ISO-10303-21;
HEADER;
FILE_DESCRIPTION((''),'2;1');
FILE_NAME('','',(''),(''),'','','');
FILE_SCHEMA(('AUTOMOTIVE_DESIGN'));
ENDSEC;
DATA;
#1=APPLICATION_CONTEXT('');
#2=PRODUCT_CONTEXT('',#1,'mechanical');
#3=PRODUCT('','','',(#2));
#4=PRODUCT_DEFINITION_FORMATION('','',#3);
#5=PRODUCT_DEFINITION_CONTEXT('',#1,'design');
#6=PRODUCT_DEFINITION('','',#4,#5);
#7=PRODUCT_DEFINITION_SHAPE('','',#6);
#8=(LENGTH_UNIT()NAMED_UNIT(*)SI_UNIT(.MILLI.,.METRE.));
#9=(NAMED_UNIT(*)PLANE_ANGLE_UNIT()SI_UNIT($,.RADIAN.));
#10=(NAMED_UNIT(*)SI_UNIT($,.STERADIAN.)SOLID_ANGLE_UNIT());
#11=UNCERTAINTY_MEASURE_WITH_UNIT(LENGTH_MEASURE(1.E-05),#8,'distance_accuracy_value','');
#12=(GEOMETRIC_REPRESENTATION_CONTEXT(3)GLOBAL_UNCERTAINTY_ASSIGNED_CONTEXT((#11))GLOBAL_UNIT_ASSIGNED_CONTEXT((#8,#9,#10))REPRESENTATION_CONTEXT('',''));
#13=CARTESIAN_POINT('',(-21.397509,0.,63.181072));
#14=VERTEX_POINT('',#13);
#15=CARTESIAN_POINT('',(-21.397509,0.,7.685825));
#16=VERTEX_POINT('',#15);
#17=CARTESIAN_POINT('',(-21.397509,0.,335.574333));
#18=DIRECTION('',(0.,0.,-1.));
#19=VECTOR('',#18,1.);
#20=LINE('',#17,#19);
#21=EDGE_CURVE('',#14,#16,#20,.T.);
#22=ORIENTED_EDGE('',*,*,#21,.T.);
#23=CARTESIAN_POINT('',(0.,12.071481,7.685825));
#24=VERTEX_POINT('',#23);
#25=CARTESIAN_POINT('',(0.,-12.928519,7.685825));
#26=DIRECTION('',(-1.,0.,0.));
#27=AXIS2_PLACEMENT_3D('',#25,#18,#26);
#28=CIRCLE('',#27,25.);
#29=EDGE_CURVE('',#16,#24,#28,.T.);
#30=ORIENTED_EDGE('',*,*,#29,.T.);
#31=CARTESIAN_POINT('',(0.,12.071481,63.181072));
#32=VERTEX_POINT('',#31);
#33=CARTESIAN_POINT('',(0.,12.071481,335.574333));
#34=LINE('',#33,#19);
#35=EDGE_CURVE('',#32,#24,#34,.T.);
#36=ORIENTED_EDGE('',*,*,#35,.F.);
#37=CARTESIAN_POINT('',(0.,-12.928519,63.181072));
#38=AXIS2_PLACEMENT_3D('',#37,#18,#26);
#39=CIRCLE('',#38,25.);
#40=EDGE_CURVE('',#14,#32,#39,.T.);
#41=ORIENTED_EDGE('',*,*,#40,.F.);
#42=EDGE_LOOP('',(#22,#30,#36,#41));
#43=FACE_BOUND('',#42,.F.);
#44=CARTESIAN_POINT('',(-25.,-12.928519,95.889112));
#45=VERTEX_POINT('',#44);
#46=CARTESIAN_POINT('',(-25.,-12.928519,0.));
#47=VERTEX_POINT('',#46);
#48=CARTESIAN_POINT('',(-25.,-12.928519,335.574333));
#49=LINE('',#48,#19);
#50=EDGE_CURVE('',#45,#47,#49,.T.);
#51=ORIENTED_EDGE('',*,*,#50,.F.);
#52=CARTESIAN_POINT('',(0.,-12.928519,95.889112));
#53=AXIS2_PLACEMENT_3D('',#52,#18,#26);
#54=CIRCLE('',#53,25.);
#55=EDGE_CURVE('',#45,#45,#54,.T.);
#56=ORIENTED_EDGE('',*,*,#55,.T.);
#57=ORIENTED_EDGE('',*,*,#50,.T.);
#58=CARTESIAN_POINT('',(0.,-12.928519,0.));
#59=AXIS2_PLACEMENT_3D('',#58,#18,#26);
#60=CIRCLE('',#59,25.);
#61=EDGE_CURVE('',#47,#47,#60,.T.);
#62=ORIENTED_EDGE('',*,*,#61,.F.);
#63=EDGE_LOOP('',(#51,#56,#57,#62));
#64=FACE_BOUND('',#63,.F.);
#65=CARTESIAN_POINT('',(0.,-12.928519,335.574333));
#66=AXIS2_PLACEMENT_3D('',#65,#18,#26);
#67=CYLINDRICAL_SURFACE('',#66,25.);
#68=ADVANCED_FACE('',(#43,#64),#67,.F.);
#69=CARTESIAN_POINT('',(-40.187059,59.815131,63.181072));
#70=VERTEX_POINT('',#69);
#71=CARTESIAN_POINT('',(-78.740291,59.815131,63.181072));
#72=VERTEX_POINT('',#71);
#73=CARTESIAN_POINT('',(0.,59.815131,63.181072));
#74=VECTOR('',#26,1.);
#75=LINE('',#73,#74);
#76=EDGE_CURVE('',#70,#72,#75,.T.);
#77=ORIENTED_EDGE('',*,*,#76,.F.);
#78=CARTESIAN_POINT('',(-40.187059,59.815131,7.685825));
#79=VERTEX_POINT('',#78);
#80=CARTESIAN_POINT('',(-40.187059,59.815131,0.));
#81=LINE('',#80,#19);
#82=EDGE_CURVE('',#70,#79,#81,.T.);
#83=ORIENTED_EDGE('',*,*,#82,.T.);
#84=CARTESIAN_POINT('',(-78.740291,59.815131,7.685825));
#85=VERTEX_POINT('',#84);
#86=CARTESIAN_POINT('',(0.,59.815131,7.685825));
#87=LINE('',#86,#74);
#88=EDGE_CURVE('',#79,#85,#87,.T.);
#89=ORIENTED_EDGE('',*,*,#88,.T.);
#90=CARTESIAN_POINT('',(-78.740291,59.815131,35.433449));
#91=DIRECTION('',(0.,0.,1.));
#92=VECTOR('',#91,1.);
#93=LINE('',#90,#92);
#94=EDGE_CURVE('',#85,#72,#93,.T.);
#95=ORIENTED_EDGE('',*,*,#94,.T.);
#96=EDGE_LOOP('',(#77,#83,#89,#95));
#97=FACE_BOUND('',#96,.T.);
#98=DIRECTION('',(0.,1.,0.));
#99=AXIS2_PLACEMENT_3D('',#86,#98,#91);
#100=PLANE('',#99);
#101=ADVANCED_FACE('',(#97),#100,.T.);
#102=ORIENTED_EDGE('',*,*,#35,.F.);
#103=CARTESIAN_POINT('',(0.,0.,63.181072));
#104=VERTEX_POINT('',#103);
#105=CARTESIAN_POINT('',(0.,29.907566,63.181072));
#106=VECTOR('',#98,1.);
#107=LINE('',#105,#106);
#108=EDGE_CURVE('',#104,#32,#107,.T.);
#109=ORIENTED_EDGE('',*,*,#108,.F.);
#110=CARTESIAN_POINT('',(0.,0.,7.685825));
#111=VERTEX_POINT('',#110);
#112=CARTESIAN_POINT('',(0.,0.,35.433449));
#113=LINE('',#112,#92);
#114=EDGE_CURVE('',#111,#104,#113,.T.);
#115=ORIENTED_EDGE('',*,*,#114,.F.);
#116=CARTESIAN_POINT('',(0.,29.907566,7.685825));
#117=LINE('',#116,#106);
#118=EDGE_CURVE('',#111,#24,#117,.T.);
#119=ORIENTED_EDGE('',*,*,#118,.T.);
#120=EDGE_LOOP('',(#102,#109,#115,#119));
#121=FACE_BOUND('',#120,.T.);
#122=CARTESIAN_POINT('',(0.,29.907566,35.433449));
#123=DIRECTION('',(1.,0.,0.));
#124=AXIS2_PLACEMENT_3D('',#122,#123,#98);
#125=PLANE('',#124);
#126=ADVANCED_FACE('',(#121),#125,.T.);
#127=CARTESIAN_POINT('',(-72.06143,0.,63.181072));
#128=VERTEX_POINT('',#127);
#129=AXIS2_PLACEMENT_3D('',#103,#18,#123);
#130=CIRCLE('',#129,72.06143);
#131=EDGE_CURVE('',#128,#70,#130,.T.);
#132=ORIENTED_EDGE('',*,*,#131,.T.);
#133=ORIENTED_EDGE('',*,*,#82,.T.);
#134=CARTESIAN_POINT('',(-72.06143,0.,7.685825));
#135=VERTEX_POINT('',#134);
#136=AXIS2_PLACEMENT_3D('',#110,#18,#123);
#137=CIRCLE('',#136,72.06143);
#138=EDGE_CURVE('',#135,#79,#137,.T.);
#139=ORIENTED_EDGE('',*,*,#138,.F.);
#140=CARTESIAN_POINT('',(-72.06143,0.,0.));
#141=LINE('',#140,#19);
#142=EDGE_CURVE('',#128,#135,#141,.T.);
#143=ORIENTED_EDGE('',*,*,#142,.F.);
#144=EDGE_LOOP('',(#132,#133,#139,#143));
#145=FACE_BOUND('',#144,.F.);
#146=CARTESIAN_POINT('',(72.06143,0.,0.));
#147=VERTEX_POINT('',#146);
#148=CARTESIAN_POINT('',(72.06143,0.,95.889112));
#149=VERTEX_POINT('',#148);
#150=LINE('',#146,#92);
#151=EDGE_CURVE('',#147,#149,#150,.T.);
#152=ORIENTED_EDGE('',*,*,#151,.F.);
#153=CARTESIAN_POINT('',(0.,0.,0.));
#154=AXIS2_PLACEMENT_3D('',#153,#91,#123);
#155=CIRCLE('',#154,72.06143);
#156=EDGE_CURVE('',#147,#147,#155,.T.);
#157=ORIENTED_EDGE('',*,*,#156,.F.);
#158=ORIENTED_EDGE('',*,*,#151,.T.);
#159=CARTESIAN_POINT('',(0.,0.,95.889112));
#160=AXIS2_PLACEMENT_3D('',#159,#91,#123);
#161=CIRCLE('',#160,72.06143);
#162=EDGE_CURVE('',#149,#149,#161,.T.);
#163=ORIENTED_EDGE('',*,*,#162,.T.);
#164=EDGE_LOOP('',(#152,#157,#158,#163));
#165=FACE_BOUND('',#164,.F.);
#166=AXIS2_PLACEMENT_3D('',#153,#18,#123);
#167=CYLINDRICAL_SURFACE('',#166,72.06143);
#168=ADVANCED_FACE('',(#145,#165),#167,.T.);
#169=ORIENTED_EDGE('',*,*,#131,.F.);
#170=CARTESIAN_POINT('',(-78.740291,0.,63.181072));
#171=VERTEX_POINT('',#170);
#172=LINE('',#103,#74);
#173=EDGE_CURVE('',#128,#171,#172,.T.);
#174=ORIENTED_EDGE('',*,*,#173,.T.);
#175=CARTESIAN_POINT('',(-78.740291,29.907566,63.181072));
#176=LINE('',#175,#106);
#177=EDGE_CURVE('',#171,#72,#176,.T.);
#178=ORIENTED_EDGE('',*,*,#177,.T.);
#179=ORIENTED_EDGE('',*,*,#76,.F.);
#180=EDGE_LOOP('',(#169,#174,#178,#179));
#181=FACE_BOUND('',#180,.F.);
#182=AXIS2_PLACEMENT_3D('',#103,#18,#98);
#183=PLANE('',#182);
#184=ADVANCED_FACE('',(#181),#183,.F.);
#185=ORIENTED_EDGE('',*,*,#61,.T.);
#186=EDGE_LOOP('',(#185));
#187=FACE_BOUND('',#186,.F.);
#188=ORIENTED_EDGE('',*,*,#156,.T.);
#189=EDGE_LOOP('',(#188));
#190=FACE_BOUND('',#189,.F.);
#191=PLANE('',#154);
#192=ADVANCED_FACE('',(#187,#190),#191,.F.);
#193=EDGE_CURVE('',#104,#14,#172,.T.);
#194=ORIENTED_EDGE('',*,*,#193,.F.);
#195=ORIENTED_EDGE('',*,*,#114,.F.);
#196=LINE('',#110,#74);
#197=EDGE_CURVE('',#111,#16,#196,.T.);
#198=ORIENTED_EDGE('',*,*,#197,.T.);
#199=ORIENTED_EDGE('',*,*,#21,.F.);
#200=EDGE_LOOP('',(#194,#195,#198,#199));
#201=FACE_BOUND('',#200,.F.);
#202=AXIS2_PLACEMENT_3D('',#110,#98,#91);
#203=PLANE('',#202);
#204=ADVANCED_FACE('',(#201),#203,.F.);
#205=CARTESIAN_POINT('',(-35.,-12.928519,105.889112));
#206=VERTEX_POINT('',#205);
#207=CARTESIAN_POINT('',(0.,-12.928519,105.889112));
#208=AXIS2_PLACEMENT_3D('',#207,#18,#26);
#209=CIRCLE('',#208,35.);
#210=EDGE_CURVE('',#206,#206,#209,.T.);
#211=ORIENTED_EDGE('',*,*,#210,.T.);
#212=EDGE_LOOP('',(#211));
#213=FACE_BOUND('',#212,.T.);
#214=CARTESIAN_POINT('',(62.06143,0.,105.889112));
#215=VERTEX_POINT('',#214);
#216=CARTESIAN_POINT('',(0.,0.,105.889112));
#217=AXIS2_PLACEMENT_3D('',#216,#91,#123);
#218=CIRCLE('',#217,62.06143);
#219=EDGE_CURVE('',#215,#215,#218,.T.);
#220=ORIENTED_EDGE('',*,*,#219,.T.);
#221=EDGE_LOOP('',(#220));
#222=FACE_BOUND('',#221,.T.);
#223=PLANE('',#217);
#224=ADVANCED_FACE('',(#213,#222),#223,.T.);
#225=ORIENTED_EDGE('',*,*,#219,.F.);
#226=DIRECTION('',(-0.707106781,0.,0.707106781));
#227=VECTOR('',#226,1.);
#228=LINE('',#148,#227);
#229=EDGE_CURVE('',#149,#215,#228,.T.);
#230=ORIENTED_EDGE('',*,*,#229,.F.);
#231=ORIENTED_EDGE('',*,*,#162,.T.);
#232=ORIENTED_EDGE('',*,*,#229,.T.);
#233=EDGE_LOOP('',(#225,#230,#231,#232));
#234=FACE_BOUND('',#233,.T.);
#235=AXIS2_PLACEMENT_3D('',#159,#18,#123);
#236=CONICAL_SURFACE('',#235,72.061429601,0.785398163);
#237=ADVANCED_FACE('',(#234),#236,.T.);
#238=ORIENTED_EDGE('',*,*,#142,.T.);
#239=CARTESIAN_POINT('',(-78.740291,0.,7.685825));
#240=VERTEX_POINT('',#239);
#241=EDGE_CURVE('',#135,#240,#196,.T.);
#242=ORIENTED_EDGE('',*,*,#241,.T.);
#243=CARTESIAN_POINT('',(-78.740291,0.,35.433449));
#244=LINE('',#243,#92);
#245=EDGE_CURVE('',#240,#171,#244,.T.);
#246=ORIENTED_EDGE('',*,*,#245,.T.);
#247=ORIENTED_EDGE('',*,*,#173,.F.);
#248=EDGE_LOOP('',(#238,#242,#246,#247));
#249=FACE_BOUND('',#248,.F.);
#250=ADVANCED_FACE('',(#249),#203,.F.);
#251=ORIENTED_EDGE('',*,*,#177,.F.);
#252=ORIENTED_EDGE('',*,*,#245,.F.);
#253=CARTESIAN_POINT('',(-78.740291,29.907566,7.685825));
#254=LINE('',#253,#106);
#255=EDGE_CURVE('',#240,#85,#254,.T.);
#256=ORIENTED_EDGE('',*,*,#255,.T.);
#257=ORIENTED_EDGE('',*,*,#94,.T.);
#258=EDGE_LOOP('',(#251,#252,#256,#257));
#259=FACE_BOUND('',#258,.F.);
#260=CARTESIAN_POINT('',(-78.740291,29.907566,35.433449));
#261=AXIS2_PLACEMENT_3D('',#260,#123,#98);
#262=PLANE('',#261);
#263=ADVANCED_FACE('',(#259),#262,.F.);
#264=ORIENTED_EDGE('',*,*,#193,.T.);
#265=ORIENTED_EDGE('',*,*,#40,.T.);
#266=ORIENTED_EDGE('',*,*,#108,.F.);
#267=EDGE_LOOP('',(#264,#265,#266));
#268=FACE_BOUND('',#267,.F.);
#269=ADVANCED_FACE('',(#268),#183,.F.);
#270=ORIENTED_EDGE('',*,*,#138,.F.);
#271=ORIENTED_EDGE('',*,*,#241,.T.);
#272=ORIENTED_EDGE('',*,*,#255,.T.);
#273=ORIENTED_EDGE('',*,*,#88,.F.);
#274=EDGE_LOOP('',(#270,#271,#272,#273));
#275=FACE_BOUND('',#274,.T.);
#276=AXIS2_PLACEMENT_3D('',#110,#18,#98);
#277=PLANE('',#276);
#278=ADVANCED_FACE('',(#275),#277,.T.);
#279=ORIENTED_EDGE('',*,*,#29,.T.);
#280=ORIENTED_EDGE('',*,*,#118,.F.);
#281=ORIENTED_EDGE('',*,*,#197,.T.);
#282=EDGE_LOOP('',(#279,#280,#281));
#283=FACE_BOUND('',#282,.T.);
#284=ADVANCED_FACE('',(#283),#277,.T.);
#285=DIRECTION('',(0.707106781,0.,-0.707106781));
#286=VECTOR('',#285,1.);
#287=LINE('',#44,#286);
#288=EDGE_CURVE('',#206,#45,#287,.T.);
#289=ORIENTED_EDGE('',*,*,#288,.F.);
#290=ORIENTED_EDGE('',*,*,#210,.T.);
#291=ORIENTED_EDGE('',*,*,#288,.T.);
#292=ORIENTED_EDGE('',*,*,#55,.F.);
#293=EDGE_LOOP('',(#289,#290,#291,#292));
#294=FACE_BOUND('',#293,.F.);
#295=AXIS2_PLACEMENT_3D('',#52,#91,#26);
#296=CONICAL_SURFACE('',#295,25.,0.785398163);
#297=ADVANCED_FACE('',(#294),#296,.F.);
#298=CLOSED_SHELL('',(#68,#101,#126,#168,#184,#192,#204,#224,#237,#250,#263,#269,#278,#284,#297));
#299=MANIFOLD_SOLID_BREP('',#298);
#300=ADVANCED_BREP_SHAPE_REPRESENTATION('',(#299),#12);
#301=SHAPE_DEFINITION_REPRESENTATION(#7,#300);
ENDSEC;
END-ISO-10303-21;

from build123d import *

# Parameters (mm, degrees)
F0_R     = 72.0614296005
F1_DEPTH = 105.8891117573
F3_D     = 50
F4_SIZE  = 10
F5_W     = 59.8151311278
F5_H     = 55.4952472448
F6_DEPTH = 78.7402912974


with BuildPart() as f1:
    # F0 (on Top) → F1 (new body)
    with BuildSketch(Plane.XY):
        Circle(F0_R)
    extrude(amount=F1_DEPTH)

    # F3 (through all)
    with Locations(Plane.XY.offset(105.8891117573)):
        with Locations((0, -12.928519398)):
            Hole(F3_D / 2)

    # F4
    f4_edges = [f1.edges().sort_by_distance(p)[0] for p in [
        (-72.06143, 0, 105.889112),
        (-25, -12.928519, 105.889112),
    ]]
    chamfer(f4_edges, length=F4_SIZE)

    # F5 (on Right) → F6 (join)
    with BuildSketch(Plane.YZ):
        with Locations((29.9075655639, 35.4334488511)):
            Rectangle(F5_W, F5_H)
    extrude(amount=-F6_DEPTH)


solid = f1.part
